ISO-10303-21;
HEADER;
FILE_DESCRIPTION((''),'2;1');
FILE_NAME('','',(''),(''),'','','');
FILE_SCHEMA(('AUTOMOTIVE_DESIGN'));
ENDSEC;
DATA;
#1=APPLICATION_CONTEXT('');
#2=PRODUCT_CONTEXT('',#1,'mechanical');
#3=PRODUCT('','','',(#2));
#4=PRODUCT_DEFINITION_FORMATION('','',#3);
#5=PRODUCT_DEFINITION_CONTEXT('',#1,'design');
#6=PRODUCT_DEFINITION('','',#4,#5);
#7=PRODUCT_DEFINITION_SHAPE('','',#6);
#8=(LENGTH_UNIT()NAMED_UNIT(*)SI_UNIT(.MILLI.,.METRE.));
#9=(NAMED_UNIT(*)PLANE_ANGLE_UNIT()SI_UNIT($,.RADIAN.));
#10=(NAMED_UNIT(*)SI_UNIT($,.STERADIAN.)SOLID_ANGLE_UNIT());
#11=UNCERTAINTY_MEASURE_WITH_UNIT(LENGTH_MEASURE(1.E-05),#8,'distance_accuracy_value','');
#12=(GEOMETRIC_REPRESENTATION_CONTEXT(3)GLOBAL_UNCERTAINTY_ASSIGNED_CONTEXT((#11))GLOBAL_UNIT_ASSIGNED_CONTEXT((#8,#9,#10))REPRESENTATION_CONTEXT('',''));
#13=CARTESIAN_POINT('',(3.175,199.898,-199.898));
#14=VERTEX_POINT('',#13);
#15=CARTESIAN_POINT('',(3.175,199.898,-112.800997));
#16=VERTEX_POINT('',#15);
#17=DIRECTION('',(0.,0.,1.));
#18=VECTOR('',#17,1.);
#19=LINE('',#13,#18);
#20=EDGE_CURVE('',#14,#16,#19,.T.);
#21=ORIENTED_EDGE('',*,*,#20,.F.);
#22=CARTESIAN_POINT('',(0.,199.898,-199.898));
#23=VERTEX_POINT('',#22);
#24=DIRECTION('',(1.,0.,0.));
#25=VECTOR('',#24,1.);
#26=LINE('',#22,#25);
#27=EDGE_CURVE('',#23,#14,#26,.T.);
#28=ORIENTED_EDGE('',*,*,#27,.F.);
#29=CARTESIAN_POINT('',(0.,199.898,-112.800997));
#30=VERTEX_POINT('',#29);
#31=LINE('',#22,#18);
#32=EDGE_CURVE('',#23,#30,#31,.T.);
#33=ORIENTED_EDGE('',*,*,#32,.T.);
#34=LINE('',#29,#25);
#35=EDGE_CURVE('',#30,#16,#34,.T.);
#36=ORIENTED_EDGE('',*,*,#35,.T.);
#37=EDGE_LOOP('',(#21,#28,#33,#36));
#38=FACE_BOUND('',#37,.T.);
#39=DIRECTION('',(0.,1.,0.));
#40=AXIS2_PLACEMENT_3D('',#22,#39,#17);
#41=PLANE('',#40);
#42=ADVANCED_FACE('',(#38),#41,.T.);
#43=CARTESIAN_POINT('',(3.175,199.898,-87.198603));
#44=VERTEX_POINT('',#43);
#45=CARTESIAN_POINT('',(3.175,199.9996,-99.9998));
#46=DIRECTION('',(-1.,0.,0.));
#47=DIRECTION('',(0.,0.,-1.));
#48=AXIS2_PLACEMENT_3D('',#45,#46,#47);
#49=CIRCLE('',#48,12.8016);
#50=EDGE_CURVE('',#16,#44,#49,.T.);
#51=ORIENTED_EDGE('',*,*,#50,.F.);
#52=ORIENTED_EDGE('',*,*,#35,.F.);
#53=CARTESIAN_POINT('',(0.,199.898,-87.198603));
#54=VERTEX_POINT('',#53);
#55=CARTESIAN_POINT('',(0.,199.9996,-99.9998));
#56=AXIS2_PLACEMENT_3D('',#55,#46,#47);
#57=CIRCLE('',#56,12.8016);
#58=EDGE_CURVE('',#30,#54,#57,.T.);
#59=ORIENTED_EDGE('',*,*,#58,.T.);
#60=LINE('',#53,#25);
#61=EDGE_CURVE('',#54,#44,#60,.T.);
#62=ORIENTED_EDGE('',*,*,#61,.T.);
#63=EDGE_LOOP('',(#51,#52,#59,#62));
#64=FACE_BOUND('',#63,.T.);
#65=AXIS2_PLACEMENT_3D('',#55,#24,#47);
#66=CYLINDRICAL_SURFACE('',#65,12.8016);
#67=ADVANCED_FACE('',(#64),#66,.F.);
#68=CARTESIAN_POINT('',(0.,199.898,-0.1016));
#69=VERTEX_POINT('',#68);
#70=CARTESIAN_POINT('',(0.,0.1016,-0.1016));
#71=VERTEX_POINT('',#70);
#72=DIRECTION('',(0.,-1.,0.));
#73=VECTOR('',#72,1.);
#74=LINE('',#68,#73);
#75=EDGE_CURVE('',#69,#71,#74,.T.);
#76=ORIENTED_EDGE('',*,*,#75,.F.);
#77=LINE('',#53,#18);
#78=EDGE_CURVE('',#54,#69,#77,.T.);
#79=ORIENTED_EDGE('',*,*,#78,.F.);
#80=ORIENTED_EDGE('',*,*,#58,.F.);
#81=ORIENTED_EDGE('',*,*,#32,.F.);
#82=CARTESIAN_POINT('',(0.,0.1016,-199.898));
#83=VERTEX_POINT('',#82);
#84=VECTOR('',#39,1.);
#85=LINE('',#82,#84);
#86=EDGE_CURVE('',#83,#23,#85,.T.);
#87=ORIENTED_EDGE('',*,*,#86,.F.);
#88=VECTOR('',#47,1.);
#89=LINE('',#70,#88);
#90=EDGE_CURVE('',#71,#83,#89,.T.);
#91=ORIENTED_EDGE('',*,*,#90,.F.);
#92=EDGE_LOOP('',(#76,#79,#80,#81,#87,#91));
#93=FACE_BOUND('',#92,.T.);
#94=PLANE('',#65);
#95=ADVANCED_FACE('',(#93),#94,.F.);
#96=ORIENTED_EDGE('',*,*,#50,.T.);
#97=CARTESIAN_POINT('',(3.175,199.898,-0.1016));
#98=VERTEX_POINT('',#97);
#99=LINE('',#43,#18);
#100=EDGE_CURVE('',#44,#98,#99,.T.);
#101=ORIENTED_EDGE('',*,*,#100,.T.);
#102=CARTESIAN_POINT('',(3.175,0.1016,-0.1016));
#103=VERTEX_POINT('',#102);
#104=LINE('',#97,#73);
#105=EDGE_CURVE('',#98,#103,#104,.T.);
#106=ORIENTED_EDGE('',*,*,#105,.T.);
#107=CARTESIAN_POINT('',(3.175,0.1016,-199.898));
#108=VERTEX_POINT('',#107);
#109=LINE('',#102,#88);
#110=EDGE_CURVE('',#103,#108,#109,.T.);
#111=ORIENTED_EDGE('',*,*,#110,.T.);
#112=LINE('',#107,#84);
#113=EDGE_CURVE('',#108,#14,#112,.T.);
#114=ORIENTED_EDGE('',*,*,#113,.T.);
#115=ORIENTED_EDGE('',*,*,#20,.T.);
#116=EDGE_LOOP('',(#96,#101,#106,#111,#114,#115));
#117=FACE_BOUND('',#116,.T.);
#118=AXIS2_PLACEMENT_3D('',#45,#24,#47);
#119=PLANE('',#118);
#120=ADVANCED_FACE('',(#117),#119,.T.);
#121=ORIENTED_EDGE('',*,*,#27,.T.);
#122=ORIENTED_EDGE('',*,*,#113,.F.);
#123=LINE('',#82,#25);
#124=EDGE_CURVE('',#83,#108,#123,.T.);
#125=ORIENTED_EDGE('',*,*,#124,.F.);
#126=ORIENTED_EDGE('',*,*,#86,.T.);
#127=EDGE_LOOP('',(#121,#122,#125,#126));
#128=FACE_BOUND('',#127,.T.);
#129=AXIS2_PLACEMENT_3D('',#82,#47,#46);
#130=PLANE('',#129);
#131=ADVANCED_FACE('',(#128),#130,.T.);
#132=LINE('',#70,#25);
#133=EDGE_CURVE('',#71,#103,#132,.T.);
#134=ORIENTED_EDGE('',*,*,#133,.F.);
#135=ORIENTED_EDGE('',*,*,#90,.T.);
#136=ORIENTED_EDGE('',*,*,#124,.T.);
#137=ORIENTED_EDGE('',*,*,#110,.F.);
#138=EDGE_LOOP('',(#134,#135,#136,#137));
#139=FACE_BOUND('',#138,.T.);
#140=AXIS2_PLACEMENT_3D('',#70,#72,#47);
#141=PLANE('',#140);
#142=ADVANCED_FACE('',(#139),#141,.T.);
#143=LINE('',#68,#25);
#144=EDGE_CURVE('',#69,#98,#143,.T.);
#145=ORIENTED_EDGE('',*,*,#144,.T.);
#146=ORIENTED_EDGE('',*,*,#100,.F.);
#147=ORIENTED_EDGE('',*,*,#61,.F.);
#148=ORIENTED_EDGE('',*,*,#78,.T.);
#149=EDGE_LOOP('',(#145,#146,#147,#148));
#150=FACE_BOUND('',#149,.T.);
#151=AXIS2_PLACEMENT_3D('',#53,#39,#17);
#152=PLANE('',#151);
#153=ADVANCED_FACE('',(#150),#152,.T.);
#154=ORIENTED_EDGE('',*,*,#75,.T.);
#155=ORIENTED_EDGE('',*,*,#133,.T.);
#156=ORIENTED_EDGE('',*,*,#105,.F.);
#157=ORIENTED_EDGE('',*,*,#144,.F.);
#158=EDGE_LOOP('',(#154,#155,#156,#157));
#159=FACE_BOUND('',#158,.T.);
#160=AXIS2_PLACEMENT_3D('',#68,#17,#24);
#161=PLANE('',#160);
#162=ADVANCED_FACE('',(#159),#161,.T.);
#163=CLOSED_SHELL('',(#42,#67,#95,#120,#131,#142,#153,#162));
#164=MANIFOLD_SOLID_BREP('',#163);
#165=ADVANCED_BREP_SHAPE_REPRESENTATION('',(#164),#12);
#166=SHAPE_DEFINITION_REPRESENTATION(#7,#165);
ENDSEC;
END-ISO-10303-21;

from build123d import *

# Parameters (mm, degrees)
BOSS_EXTRUDE1_DEPTH = 3.175
CUT_EXTRUDE1_DEPTH  = 3.175


with BuildPart() as part:
    # Sketch1 → Boss-Extrude1 (new body)
    with BuildSketch(Plane(origin=(0, 0, 0), x_dir=(0, 0, -1), z_dir=(1, 0, 0))):
        with BuildLine():
            Line((0, 199.9996), (87.2998, 199.9996))
            ThreePointArc((87.2998, 199.9996), (99.9998, 187.2996), (112.6998, 199.9996))
            Line((112.6998, 199.9996), (199.9996, 199.9996))
            Line((199.9996, 199.9996), (199.9996, 0))
            Line((199.9996, 0), (0, 0))
            Line((0, 0), (0, 199.9996))
        make_face()
    extrude(amount=BOSS_EXTRUDE1_DEPTH)

    # Sketch2 → Cut-Extrude1 (cut)
    with BuildSketch(Plane(origin=(3.175, 0, 0), x_dir=(0, 0, -1), z_dir=(1, 0, 0))):
        with BuildLine():
            Line((199.9996, 199.9996), (112.6998, 199.9996))
            ThreePointArc((112.6998, 199.9996), (99.9998, 187.2996), (87.2998, 199.9996))
            Line((87.2998, 199.9996), (0, 199.9996))
            Line((0, 199.9996), (0, 0))
            Line((0, 0), (199.9996, 0))
            Line((199.9996, 0), (199.9996, 199.9996))
        make_face()
        with BuildLine():
            Line((199.898, 199.898), (112.800996819, 199.898))
            ThreePointArc((112.800996819, 199.898), (99.9998, 187.198), (87.198603181, 199.898))
            Line((87.198603181, 199.898), (0.1016, 199.898))
            Line((0.1016, 199.898), (0.1016, 0.1016))
            Line((0.1016, 0.1016), (199.898, 0.1016))
            Line((199.898, 0.1016), (199.898, 199.898))
        make_face(mode=Mode.SUBTRACT)
    extrude(amount=-CUT_EXTRUDE1_DEPTH, mode=Mode.SUBTRACT)


solid = part.part
